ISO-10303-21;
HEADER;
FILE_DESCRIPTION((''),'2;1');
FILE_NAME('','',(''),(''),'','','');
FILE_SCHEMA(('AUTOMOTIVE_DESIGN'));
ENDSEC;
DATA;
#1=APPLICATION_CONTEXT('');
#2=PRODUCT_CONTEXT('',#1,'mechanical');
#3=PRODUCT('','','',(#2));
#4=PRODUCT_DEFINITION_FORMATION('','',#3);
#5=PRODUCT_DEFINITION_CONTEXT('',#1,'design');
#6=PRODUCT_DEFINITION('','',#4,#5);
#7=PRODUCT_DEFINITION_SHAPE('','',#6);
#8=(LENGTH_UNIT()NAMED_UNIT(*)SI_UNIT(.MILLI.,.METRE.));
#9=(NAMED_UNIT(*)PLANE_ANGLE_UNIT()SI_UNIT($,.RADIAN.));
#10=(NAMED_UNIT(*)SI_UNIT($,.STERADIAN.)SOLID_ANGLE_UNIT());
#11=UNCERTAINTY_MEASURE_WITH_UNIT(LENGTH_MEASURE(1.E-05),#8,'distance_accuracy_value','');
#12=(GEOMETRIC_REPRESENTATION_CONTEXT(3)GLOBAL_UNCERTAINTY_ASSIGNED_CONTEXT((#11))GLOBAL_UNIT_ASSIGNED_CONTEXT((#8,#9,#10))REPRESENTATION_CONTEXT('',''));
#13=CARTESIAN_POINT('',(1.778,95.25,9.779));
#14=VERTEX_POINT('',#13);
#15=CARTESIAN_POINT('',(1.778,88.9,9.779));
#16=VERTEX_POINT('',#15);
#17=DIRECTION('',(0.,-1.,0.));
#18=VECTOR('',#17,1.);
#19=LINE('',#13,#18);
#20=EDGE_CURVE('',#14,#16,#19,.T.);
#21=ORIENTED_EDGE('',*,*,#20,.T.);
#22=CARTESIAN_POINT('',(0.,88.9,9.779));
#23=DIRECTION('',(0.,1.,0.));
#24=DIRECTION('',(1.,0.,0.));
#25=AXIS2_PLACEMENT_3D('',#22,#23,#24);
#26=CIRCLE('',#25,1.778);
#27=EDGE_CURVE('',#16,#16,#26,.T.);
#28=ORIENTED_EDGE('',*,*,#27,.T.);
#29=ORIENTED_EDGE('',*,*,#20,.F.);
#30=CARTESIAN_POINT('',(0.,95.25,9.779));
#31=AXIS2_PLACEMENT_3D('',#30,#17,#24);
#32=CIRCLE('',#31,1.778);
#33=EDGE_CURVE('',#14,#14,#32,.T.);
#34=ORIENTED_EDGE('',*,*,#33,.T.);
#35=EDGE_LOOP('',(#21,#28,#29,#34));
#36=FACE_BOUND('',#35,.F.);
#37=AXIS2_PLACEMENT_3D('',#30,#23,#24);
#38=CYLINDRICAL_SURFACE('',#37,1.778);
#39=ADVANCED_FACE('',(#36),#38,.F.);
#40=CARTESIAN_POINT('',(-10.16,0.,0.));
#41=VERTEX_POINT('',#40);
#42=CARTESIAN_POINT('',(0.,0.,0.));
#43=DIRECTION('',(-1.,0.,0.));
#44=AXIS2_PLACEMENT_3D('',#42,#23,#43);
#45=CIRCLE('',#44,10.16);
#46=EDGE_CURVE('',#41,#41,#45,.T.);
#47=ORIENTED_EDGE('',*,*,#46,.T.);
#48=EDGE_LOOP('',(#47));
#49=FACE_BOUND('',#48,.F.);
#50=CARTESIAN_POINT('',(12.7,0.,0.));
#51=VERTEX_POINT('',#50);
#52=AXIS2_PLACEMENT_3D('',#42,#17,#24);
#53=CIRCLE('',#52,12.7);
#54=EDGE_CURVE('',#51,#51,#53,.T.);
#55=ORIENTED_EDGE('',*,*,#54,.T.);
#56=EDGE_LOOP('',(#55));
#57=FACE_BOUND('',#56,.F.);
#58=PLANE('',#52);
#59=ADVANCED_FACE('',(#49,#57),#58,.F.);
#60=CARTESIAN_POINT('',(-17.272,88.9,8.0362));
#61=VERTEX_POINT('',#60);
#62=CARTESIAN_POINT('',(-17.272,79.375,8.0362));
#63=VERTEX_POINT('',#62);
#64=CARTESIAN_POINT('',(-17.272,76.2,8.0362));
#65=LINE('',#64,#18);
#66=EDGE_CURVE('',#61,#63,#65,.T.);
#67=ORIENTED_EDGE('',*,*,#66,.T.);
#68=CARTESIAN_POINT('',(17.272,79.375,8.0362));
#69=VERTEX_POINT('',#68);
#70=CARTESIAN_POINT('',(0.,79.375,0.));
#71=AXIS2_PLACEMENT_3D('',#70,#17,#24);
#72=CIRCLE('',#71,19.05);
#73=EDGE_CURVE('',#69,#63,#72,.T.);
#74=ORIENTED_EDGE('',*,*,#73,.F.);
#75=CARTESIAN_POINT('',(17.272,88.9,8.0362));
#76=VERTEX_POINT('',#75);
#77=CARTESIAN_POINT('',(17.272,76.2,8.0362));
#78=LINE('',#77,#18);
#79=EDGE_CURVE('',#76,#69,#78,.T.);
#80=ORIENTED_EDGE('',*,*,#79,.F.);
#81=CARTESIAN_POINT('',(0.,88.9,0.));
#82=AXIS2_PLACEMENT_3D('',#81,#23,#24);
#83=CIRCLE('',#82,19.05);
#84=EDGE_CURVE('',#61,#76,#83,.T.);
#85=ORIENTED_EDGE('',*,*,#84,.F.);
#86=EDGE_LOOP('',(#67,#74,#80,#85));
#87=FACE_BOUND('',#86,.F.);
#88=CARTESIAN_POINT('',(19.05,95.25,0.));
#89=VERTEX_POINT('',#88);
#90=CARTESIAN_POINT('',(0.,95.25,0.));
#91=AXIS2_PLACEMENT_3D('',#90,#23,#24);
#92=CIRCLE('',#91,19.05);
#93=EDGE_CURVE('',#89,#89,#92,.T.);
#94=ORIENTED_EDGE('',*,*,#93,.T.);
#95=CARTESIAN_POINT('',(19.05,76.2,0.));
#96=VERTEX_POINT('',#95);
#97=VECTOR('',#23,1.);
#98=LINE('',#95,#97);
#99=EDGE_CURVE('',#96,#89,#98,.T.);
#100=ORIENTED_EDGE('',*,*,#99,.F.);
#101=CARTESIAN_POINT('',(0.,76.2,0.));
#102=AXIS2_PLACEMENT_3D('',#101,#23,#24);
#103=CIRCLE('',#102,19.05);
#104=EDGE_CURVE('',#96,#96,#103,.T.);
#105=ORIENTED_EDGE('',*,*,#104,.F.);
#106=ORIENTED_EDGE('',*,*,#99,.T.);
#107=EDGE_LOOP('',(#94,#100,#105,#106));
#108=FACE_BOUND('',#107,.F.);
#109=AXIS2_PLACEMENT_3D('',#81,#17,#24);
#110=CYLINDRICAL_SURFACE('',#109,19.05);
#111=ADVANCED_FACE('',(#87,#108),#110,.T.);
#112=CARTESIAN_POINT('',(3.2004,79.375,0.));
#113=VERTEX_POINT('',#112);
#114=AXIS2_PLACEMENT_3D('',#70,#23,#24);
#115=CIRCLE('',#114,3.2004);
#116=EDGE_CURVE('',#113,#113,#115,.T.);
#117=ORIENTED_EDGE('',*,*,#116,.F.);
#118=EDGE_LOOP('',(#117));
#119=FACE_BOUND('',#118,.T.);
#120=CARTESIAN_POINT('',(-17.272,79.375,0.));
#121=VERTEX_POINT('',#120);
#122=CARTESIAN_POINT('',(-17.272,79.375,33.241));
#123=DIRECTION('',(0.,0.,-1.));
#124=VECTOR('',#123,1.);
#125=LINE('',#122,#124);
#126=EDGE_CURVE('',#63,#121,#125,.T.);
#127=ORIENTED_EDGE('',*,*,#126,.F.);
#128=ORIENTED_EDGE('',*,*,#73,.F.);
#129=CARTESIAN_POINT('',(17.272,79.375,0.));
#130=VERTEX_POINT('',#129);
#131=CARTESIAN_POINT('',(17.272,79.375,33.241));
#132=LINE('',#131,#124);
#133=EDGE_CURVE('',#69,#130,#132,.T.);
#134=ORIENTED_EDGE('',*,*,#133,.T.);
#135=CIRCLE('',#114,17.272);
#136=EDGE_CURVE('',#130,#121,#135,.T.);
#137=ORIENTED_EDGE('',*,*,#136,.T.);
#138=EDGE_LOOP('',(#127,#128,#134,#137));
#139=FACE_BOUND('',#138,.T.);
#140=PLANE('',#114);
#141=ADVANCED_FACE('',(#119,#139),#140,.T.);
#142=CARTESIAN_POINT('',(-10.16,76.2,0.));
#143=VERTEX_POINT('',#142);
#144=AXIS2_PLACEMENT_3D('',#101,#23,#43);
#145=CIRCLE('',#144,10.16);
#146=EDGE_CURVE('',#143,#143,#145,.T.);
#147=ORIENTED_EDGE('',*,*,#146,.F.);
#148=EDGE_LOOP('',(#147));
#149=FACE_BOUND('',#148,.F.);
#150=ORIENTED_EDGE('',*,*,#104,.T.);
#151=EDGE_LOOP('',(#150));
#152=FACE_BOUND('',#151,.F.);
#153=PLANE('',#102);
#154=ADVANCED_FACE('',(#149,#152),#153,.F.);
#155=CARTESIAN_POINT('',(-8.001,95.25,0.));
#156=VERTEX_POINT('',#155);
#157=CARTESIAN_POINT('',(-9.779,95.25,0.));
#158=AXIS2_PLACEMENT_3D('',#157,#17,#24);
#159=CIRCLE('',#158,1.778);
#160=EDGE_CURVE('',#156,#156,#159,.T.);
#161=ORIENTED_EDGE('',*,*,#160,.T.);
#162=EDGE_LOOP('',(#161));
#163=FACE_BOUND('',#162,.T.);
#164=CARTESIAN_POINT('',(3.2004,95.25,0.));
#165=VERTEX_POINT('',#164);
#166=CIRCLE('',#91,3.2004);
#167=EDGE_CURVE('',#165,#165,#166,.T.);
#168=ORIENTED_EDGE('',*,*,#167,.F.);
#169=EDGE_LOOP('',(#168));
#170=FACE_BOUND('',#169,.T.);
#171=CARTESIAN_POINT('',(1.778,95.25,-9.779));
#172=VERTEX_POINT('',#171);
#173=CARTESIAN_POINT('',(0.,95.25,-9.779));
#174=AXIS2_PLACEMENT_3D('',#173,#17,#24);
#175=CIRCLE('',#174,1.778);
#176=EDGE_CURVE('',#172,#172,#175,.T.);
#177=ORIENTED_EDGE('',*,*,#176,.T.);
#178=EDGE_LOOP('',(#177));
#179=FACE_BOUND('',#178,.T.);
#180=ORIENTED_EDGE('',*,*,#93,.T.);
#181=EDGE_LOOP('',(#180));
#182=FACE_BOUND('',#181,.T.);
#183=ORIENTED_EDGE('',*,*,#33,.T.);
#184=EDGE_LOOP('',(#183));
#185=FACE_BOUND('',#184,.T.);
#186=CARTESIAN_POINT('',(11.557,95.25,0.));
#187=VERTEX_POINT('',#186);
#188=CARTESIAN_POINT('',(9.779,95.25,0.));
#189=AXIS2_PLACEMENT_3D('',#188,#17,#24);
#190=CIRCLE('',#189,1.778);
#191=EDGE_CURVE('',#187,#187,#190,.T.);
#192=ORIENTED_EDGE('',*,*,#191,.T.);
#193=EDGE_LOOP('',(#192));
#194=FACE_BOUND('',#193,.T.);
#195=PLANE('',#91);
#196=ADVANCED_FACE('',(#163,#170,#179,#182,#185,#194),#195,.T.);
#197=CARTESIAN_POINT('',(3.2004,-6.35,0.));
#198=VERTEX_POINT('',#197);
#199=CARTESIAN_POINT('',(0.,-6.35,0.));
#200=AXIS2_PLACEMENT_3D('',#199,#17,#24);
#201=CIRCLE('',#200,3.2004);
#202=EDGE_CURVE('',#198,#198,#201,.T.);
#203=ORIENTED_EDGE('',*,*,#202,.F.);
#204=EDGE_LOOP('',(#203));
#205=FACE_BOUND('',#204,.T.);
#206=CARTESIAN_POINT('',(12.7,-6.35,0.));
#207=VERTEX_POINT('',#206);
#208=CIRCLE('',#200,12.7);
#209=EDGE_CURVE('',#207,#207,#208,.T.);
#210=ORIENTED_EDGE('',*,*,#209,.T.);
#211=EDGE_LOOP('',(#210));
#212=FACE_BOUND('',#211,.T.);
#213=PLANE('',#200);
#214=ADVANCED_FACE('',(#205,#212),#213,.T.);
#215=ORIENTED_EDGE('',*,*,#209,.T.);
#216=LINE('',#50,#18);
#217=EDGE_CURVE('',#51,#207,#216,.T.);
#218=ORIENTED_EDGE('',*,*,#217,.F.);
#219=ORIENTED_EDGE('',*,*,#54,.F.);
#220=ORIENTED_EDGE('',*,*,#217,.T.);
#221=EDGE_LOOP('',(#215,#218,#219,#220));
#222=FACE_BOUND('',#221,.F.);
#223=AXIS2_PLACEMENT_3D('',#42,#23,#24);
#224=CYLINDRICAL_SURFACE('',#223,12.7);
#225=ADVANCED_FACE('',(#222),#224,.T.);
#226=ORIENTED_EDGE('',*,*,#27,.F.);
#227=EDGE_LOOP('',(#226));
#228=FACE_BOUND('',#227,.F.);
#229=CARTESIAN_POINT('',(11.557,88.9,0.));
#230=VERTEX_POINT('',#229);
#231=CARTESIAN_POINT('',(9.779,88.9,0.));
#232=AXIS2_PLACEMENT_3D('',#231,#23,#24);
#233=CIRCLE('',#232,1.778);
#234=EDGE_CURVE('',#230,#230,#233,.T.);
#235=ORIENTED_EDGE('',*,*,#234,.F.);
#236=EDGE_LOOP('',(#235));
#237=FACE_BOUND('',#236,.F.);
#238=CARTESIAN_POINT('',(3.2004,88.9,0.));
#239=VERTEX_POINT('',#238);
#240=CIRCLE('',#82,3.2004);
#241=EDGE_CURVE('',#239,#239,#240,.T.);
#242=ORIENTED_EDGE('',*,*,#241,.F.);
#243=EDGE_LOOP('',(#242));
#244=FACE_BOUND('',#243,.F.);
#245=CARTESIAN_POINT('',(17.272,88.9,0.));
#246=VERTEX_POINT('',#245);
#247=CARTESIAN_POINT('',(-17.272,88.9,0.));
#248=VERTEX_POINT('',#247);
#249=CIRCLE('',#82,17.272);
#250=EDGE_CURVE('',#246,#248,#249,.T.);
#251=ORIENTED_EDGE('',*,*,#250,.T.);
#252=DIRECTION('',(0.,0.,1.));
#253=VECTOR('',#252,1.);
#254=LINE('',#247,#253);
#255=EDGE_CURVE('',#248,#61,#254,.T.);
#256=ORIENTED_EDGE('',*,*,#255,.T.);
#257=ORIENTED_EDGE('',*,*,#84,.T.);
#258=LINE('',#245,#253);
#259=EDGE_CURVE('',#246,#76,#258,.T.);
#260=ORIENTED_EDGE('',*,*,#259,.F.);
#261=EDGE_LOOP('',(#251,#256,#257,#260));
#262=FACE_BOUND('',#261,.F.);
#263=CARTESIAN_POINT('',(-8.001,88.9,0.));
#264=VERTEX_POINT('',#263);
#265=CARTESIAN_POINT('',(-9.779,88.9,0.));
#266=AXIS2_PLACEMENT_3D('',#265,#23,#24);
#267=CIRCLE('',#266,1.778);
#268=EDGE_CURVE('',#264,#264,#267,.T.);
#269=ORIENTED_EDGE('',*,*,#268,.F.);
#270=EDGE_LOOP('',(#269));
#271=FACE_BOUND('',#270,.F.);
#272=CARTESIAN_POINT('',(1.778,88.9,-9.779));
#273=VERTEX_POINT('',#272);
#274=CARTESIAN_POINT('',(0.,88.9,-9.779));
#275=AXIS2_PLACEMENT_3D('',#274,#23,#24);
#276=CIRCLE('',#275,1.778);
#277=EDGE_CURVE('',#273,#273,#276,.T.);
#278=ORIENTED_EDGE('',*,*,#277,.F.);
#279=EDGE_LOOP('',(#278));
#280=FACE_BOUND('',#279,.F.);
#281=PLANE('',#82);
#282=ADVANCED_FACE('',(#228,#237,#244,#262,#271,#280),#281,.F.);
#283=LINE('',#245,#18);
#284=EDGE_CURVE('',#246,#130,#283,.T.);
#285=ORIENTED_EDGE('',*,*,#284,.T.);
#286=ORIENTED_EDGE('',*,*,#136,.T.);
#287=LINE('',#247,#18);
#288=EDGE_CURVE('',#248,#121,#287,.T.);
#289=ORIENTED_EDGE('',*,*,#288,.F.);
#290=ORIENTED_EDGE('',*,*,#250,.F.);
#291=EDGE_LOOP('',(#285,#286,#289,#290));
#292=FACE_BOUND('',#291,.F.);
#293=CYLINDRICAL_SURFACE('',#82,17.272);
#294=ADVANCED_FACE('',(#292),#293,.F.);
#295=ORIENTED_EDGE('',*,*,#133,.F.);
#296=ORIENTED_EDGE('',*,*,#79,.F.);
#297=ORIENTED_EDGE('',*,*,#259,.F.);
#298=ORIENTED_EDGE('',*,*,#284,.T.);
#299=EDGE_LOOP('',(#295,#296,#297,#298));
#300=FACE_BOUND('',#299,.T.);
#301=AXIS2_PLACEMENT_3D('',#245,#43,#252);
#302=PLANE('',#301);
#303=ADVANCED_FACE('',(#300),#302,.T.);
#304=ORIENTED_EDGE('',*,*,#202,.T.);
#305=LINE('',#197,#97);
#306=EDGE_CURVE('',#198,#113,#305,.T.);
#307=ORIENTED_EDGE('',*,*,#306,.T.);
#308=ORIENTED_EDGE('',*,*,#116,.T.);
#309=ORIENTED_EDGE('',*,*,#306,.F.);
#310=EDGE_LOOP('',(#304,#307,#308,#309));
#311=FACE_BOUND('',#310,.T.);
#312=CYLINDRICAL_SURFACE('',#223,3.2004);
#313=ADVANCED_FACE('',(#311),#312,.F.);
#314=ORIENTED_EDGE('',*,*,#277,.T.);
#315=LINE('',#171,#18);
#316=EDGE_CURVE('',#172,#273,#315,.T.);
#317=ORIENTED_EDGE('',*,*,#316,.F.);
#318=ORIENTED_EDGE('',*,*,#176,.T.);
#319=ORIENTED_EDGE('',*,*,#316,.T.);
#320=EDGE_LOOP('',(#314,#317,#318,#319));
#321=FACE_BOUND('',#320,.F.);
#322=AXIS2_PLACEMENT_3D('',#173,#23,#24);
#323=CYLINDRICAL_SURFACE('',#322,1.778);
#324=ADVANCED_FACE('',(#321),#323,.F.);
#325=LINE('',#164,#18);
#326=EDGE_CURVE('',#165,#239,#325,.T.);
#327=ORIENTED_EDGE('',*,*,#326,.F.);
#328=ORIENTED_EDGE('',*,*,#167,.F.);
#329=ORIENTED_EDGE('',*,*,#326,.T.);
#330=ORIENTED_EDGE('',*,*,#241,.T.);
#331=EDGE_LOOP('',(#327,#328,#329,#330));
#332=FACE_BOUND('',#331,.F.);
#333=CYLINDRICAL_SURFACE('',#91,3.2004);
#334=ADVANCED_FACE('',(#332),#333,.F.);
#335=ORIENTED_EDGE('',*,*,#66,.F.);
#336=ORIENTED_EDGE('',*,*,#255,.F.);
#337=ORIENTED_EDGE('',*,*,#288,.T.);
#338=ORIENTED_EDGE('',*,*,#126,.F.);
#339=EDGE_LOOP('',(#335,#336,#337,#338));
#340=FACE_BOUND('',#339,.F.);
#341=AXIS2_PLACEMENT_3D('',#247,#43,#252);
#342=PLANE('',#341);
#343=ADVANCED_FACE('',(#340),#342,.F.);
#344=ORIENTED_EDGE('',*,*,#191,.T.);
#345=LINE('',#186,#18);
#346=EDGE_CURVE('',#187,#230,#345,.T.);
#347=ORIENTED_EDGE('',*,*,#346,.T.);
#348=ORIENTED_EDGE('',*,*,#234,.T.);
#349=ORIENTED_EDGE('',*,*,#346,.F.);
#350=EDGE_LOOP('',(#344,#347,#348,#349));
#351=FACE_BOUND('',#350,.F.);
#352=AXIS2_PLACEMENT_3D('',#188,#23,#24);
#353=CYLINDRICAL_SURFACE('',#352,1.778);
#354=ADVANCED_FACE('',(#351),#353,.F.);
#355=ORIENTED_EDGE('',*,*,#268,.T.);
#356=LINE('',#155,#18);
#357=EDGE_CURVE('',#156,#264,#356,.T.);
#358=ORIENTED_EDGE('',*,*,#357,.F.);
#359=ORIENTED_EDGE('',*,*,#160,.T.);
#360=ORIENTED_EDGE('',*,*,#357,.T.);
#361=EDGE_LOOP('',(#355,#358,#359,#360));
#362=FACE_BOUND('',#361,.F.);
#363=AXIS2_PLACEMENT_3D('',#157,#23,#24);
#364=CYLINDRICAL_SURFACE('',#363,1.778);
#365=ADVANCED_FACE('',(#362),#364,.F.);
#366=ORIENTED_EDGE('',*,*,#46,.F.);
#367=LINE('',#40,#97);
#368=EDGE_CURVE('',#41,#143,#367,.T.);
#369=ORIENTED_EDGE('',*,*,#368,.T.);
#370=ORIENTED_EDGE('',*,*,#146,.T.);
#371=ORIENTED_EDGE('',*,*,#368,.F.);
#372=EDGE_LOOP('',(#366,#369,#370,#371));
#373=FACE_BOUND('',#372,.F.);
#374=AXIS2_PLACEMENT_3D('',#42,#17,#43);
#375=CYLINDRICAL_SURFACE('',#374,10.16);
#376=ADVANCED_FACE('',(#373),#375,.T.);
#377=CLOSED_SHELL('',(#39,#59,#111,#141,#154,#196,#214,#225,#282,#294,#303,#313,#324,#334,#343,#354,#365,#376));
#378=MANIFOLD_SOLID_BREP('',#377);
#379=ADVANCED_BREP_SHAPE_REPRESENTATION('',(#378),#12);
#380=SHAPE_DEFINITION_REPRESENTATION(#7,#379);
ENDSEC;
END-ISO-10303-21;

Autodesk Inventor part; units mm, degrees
ref_plane "YZ Plane" through (0, 0, 0) normal (1, 0, 0) x (0, 1, 0)
ref_plane "XZ Plane" through (0, 0, 0) normal (0, 1, 0) x (-1, 0, 0)
ref_plane "XY Plane" through (0, 0, 0) normal (0, 0, 1) x (1, 0, 0)
sketch "Sketch1" plane through (0, 0, 0) normal (0, 1, 0) x (-1, 0, 0)
  circle A0 centre (0, 0) radius 10.16
  dimension "d0" = 20.32
extrude "Extrusion1" add sketch "Sketch1" along normal blind 76.2
sketch "Sketch2" plane through (0, 76.2, 0) normal (0, 1, 0) x (1, 0, 0)
  circle A0 centre (0, 0) radius 19.05
  dimension "d3" = 38.1
extrude "Extrusion2" add sketch "Sketch2" along normal blind 12.7
sketch "Sketch6" plane through (0, 88.9, 0) normal (0, 1, 0) x (1, 0, 0)
  arc A0 (17.272, 0) -> (-17.272, 0) centre (0, 0) ccw
  line L0 (17.272, 0) -> (17.272, -8.0362)
  circle A1 centre (0, 0) radius 19.05 projected
  line L1 (-17.272, 0) -> (-17.272, -8.5424)
  line L2 (17.272, -8.0362) -> (17.272, -33.241)
  line L3 (17.272, -33.241) -> (-17.272, -33.241)
  line L4 (-17.272, -33.241) -> (-17.272, -8.5424)
  dimension "d14" = 34.544
extrude "Extrusion5" cut sketch "Sketch6" against normal blind 9.525 contours L0 A1 L1 A0 | L2 L3 L4 L1 A1 picked at (0, -6.35)
sketch "Sketch7" plane through (0, 88.9, 0) normal (0, 1, 0) x (1, 0, 0)
  circle A0 centre (0, 0) radius 19.05
extrude "Extrusion6" add sketch "Sketch7" along normal blind 6.35
sketch "Sketch8" plane through (0, 95.25, 0) normal (0, 1, 0) x (1, 0, 0)
  circle A0 centre (0, 0) radius 9.779
  circle A1 centre (9.779, 0) radius 1.778
  circle A2 centre (0, -9.779) radius 1.778
  circle A3 centre (-9.779, 0) radius 1.778
  circle A4 centre (0, 9.779) radius 1.778
  dimension "d19" = 19.558
  dimension "d20" = 3.556
  dimension "d21" = 3.556
  dimension "d22" = 3.556
  dimension "d23" = 3.556
extrude "Extrusion7" cut sketch "Sketch8" against normal blind 6.35 contours A0 A1 | A0 A1 | A4 A0 | A0 A4 | A2 A0 | A0 A2 | A3 A0 | A0 A3
sketch "Sketch9" plane through (0, 95.25, 0) normal (0, 1, 0) x (1, 0, 0)
  circle A0 centre (0, 0) radius 10.16 projected
  circle A1 centre (0, 0) radius 3.2004
  dimension "d26" = 6.4008
extrude "Extrusion8" cut sketch "Sketch9" against normal through all contours A1
sketch "Sketch10" plane through (0, 0, 0) normal (0, -1, 0) x (1, 0, 0)
  circle A0 centre (0, 0) radius 12.7
  circle A1 centre (0, 0) radius 3.2004
  dimension "d29" = 25.4
extrude "Extrusion9" add sketch "Sketch10" along normal blind 6.35
properties part number "Rotating1inPart"
